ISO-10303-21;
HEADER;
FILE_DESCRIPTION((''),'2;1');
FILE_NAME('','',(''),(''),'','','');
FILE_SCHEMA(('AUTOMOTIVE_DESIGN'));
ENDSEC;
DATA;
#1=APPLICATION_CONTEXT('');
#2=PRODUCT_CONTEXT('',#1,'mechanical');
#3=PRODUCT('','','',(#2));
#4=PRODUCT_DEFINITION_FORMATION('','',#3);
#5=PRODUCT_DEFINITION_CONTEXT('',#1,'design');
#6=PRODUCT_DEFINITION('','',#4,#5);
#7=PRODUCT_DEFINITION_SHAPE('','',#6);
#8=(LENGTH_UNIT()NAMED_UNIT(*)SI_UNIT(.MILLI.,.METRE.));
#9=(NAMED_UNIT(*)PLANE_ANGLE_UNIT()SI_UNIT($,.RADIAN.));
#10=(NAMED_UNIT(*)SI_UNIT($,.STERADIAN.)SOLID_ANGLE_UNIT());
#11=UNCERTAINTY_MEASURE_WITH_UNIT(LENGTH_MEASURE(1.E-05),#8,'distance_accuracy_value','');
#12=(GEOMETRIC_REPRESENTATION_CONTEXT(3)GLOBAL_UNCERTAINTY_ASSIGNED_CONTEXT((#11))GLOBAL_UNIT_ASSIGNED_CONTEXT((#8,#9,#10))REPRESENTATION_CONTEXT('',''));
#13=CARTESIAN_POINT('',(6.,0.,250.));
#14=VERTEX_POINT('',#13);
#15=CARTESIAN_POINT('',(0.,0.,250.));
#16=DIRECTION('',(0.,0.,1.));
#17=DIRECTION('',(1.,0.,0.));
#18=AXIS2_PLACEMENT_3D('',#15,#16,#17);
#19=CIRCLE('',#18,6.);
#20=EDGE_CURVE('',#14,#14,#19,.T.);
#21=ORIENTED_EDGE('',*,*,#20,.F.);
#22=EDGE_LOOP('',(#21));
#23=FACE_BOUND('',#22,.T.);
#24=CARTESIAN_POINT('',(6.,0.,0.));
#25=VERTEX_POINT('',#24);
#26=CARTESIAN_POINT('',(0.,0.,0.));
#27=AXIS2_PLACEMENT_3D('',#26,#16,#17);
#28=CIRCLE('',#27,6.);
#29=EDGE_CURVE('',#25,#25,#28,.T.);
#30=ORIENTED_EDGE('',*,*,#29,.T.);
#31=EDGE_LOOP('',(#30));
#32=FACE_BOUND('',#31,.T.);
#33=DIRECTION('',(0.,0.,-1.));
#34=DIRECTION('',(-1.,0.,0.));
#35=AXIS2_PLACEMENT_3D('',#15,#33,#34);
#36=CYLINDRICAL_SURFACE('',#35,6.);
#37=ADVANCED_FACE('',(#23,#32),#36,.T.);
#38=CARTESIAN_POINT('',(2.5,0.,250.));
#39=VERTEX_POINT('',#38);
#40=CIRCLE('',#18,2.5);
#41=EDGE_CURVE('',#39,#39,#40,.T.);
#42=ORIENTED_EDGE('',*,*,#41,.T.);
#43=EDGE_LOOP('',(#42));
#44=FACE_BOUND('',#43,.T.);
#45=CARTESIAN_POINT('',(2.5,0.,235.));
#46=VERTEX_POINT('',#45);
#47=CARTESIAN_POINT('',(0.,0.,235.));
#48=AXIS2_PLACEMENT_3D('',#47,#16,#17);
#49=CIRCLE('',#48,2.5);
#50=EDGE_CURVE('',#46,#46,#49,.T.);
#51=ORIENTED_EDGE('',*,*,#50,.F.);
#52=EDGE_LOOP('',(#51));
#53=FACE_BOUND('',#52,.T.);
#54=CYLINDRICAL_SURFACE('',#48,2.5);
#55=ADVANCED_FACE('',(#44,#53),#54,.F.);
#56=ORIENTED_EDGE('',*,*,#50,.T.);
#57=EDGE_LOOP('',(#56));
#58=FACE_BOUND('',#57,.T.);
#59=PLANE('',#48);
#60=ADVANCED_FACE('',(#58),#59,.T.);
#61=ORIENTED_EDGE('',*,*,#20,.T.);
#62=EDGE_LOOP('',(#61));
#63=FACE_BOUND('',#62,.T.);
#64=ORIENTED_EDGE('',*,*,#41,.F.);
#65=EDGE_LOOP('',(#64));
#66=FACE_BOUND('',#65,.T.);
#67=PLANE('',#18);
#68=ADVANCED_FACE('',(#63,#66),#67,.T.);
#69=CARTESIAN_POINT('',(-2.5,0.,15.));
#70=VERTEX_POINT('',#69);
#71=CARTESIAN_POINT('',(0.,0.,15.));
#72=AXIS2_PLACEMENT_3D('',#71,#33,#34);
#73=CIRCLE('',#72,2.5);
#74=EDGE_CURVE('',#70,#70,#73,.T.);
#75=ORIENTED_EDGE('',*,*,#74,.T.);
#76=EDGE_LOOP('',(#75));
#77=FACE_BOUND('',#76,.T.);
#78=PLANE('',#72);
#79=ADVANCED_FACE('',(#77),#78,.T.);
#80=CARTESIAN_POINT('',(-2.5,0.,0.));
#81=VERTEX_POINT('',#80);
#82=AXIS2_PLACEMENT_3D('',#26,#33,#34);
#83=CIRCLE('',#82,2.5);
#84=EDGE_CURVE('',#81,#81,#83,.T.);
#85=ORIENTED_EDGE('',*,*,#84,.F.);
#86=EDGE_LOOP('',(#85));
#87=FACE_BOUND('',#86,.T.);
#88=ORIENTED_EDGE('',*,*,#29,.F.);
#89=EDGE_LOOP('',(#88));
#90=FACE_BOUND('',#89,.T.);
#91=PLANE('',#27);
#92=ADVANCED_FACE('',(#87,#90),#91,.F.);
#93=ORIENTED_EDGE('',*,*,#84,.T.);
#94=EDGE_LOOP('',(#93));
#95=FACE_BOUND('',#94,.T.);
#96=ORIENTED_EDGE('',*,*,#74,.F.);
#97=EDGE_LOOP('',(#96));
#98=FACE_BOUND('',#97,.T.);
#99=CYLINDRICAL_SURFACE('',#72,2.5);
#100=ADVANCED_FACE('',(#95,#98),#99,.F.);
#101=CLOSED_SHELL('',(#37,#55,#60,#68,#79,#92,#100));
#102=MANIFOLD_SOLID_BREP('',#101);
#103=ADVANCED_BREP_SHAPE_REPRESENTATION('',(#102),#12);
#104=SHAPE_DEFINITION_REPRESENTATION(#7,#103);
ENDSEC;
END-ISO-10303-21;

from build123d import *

# Parameters (mm, degrees)
CROQUIS1_R              = 6
SALIENTE_EXTRUIR1_DEPTH = 250
CROQUIS2_R              = 2.5
CORTAR_EXTRUIR1_DEPTH   = 15
CROQUIS3_R              = 2.5
CORTAR_EXTRUIR2_DEPTH   = 15


with BuildPart() as part:
    # Croquis1 → Saliente-Extruir1 (new body)
    with BuildSketch(Plane.XY):
        Circle(CROQUIS1_R)
    extrude(amount=SALIENTE_EXTRUIR1_DEPTH)

    # Croquis2 → Cortar-Extruir1 (cut)
    with BuildSketch(Plane.XY.offset(250)):
        Circle(CROQUIS2_R)
    extrude(amount=-CORTAR_EXTRUIR1_DEPTH, mode=Mode.SUBTRACT)

    # Croquis3 → Cortar-Extruir2 (cut)
    with BuildSketch(Plane(origin=(0, 0, 0), x_dir=(-1, 0, 0), z_dir=(0, 0, -1))):
        Circle(CROQUIS3_R)
    extrude(amount=-CORTAR_EXTRUIR2_DEPTH, mode=Mode.SUBTRACT)


solid = part.part
